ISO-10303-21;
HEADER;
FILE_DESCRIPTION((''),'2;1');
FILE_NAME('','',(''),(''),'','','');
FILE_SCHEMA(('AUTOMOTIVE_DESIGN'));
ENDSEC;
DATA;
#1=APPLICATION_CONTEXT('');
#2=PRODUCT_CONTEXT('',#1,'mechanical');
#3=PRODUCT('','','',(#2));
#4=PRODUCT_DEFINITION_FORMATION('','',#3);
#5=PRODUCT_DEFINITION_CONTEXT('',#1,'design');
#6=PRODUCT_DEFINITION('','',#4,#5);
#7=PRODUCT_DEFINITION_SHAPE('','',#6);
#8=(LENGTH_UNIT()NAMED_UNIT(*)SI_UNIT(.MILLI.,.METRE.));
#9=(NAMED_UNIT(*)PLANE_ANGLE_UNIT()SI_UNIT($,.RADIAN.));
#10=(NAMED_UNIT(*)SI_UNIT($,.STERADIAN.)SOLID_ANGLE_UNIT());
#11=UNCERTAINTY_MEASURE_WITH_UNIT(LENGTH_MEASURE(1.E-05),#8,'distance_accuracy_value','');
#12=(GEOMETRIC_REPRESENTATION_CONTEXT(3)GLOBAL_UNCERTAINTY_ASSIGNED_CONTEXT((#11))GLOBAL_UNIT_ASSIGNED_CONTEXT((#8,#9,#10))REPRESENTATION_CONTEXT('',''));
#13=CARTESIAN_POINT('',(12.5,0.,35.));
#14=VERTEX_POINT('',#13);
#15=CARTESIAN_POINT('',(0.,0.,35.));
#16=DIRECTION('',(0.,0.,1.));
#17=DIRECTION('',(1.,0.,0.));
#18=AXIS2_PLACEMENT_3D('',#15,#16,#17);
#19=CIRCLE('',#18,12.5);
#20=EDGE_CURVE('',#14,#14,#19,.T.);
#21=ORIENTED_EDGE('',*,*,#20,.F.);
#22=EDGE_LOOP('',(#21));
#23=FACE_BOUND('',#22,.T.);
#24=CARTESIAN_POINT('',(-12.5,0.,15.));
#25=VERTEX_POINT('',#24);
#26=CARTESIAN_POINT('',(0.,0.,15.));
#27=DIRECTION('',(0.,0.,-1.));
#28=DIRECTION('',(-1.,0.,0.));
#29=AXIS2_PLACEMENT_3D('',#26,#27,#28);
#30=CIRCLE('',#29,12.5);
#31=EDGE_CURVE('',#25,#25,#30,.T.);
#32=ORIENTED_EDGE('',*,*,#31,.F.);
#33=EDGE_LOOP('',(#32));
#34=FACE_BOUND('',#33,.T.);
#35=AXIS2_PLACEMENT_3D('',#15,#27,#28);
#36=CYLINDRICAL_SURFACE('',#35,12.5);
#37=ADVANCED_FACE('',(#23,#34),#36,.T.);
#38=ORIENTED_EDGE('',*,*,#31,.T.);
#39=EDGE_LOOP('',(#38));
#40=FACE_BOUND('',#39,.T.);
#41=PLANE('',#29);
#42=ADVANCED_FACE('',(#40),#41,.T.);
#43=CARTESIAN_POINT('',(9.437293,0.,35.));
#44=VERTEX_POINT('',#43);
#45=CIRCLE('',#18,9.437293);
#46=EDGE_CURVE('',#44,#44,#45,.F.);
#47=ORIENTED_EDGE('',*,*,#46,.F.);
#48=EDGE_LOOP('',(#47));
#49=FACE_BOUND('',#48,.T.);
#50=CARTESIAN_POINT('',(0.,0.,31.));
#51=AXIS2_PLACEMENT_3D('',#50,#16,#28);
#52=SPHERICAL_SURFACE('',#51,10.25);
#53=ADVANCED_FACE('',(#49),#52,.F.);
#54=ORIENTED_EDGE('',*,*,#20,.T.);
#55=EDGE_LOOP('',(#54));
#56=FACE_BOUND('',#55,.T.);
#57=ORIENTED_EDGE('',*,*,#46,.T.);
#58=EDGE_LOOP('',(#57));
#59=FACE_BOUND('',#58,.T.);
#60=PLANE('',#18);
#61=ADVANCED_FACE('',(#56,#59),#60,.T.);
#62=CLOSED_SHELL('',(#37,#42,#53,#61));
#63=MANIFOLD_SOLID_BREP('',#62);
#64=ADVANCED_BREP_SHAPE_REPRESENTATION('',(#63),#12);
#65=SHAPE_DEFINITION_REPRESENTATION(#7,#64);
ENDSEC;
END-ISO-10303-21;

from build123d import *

# Parameters (mm, degrees)
SKETCH_1_R          = 12.5
EXTRUDE_2_DEPTH     = 35
SKETCH_4_R          = 14.624451674
CUT_EXTRUDE_1_DEPTH = 15


with BuildPart() as part:
    # 스케치1 → 보스-돌출2 (new body)
    with BuildSketch(Plane.XY):
        Circle(SKETCH_1_R)
    extrude(amount=EXTRUDE_2_DEPTH)

    # 스케치3 → 컷-회전1 (revolve, cut)
    with BuildSketch(Plane(origin=(0, 0, 0), x_dir=(1, 0, 0), z_dir=(0, 1, 0))):
        with BuildLine():
            Line((0, -21), (0, -41))
            ThreePointArc((0, -41), (-10, -31), (0, -21))
        make_face()
    revolve(axis=Axis((0, 0, 35), (0, 0, -1)), mode=Mode.SUBTRACT)

    # 스케치4 → 컷-돌출1 (cut)
    with BuildSketch(Plane(origin=(0, 0, 0), x_dir=(-1, 0, 0), z_dir=(0, 0, -1))):
        Circle(SKETCH_4_R)
    extrude(amount=-CUT_EXTRUDE_1_DEPTH, mode=Mode.SUBTRACT)

    # 스케치5 → 컷-회전2 (revolve, cut)
    with BuildSketch(Plane(origin=(0, 0, 0), x_dir=(1, 0, 0), z_dir=(0, 1, 0))):
        with BuildLine():
            Line((0, -20.75), (0, -41.25))
            ThreePointArc((0, -41.25), (-10.25, -31), (0, -20.75))
        make_face()
    revolve(axis=Axis((0, 0, 35), (0, 0, -1)), mode=Mode.SUBTRACT)


solid = part.part
